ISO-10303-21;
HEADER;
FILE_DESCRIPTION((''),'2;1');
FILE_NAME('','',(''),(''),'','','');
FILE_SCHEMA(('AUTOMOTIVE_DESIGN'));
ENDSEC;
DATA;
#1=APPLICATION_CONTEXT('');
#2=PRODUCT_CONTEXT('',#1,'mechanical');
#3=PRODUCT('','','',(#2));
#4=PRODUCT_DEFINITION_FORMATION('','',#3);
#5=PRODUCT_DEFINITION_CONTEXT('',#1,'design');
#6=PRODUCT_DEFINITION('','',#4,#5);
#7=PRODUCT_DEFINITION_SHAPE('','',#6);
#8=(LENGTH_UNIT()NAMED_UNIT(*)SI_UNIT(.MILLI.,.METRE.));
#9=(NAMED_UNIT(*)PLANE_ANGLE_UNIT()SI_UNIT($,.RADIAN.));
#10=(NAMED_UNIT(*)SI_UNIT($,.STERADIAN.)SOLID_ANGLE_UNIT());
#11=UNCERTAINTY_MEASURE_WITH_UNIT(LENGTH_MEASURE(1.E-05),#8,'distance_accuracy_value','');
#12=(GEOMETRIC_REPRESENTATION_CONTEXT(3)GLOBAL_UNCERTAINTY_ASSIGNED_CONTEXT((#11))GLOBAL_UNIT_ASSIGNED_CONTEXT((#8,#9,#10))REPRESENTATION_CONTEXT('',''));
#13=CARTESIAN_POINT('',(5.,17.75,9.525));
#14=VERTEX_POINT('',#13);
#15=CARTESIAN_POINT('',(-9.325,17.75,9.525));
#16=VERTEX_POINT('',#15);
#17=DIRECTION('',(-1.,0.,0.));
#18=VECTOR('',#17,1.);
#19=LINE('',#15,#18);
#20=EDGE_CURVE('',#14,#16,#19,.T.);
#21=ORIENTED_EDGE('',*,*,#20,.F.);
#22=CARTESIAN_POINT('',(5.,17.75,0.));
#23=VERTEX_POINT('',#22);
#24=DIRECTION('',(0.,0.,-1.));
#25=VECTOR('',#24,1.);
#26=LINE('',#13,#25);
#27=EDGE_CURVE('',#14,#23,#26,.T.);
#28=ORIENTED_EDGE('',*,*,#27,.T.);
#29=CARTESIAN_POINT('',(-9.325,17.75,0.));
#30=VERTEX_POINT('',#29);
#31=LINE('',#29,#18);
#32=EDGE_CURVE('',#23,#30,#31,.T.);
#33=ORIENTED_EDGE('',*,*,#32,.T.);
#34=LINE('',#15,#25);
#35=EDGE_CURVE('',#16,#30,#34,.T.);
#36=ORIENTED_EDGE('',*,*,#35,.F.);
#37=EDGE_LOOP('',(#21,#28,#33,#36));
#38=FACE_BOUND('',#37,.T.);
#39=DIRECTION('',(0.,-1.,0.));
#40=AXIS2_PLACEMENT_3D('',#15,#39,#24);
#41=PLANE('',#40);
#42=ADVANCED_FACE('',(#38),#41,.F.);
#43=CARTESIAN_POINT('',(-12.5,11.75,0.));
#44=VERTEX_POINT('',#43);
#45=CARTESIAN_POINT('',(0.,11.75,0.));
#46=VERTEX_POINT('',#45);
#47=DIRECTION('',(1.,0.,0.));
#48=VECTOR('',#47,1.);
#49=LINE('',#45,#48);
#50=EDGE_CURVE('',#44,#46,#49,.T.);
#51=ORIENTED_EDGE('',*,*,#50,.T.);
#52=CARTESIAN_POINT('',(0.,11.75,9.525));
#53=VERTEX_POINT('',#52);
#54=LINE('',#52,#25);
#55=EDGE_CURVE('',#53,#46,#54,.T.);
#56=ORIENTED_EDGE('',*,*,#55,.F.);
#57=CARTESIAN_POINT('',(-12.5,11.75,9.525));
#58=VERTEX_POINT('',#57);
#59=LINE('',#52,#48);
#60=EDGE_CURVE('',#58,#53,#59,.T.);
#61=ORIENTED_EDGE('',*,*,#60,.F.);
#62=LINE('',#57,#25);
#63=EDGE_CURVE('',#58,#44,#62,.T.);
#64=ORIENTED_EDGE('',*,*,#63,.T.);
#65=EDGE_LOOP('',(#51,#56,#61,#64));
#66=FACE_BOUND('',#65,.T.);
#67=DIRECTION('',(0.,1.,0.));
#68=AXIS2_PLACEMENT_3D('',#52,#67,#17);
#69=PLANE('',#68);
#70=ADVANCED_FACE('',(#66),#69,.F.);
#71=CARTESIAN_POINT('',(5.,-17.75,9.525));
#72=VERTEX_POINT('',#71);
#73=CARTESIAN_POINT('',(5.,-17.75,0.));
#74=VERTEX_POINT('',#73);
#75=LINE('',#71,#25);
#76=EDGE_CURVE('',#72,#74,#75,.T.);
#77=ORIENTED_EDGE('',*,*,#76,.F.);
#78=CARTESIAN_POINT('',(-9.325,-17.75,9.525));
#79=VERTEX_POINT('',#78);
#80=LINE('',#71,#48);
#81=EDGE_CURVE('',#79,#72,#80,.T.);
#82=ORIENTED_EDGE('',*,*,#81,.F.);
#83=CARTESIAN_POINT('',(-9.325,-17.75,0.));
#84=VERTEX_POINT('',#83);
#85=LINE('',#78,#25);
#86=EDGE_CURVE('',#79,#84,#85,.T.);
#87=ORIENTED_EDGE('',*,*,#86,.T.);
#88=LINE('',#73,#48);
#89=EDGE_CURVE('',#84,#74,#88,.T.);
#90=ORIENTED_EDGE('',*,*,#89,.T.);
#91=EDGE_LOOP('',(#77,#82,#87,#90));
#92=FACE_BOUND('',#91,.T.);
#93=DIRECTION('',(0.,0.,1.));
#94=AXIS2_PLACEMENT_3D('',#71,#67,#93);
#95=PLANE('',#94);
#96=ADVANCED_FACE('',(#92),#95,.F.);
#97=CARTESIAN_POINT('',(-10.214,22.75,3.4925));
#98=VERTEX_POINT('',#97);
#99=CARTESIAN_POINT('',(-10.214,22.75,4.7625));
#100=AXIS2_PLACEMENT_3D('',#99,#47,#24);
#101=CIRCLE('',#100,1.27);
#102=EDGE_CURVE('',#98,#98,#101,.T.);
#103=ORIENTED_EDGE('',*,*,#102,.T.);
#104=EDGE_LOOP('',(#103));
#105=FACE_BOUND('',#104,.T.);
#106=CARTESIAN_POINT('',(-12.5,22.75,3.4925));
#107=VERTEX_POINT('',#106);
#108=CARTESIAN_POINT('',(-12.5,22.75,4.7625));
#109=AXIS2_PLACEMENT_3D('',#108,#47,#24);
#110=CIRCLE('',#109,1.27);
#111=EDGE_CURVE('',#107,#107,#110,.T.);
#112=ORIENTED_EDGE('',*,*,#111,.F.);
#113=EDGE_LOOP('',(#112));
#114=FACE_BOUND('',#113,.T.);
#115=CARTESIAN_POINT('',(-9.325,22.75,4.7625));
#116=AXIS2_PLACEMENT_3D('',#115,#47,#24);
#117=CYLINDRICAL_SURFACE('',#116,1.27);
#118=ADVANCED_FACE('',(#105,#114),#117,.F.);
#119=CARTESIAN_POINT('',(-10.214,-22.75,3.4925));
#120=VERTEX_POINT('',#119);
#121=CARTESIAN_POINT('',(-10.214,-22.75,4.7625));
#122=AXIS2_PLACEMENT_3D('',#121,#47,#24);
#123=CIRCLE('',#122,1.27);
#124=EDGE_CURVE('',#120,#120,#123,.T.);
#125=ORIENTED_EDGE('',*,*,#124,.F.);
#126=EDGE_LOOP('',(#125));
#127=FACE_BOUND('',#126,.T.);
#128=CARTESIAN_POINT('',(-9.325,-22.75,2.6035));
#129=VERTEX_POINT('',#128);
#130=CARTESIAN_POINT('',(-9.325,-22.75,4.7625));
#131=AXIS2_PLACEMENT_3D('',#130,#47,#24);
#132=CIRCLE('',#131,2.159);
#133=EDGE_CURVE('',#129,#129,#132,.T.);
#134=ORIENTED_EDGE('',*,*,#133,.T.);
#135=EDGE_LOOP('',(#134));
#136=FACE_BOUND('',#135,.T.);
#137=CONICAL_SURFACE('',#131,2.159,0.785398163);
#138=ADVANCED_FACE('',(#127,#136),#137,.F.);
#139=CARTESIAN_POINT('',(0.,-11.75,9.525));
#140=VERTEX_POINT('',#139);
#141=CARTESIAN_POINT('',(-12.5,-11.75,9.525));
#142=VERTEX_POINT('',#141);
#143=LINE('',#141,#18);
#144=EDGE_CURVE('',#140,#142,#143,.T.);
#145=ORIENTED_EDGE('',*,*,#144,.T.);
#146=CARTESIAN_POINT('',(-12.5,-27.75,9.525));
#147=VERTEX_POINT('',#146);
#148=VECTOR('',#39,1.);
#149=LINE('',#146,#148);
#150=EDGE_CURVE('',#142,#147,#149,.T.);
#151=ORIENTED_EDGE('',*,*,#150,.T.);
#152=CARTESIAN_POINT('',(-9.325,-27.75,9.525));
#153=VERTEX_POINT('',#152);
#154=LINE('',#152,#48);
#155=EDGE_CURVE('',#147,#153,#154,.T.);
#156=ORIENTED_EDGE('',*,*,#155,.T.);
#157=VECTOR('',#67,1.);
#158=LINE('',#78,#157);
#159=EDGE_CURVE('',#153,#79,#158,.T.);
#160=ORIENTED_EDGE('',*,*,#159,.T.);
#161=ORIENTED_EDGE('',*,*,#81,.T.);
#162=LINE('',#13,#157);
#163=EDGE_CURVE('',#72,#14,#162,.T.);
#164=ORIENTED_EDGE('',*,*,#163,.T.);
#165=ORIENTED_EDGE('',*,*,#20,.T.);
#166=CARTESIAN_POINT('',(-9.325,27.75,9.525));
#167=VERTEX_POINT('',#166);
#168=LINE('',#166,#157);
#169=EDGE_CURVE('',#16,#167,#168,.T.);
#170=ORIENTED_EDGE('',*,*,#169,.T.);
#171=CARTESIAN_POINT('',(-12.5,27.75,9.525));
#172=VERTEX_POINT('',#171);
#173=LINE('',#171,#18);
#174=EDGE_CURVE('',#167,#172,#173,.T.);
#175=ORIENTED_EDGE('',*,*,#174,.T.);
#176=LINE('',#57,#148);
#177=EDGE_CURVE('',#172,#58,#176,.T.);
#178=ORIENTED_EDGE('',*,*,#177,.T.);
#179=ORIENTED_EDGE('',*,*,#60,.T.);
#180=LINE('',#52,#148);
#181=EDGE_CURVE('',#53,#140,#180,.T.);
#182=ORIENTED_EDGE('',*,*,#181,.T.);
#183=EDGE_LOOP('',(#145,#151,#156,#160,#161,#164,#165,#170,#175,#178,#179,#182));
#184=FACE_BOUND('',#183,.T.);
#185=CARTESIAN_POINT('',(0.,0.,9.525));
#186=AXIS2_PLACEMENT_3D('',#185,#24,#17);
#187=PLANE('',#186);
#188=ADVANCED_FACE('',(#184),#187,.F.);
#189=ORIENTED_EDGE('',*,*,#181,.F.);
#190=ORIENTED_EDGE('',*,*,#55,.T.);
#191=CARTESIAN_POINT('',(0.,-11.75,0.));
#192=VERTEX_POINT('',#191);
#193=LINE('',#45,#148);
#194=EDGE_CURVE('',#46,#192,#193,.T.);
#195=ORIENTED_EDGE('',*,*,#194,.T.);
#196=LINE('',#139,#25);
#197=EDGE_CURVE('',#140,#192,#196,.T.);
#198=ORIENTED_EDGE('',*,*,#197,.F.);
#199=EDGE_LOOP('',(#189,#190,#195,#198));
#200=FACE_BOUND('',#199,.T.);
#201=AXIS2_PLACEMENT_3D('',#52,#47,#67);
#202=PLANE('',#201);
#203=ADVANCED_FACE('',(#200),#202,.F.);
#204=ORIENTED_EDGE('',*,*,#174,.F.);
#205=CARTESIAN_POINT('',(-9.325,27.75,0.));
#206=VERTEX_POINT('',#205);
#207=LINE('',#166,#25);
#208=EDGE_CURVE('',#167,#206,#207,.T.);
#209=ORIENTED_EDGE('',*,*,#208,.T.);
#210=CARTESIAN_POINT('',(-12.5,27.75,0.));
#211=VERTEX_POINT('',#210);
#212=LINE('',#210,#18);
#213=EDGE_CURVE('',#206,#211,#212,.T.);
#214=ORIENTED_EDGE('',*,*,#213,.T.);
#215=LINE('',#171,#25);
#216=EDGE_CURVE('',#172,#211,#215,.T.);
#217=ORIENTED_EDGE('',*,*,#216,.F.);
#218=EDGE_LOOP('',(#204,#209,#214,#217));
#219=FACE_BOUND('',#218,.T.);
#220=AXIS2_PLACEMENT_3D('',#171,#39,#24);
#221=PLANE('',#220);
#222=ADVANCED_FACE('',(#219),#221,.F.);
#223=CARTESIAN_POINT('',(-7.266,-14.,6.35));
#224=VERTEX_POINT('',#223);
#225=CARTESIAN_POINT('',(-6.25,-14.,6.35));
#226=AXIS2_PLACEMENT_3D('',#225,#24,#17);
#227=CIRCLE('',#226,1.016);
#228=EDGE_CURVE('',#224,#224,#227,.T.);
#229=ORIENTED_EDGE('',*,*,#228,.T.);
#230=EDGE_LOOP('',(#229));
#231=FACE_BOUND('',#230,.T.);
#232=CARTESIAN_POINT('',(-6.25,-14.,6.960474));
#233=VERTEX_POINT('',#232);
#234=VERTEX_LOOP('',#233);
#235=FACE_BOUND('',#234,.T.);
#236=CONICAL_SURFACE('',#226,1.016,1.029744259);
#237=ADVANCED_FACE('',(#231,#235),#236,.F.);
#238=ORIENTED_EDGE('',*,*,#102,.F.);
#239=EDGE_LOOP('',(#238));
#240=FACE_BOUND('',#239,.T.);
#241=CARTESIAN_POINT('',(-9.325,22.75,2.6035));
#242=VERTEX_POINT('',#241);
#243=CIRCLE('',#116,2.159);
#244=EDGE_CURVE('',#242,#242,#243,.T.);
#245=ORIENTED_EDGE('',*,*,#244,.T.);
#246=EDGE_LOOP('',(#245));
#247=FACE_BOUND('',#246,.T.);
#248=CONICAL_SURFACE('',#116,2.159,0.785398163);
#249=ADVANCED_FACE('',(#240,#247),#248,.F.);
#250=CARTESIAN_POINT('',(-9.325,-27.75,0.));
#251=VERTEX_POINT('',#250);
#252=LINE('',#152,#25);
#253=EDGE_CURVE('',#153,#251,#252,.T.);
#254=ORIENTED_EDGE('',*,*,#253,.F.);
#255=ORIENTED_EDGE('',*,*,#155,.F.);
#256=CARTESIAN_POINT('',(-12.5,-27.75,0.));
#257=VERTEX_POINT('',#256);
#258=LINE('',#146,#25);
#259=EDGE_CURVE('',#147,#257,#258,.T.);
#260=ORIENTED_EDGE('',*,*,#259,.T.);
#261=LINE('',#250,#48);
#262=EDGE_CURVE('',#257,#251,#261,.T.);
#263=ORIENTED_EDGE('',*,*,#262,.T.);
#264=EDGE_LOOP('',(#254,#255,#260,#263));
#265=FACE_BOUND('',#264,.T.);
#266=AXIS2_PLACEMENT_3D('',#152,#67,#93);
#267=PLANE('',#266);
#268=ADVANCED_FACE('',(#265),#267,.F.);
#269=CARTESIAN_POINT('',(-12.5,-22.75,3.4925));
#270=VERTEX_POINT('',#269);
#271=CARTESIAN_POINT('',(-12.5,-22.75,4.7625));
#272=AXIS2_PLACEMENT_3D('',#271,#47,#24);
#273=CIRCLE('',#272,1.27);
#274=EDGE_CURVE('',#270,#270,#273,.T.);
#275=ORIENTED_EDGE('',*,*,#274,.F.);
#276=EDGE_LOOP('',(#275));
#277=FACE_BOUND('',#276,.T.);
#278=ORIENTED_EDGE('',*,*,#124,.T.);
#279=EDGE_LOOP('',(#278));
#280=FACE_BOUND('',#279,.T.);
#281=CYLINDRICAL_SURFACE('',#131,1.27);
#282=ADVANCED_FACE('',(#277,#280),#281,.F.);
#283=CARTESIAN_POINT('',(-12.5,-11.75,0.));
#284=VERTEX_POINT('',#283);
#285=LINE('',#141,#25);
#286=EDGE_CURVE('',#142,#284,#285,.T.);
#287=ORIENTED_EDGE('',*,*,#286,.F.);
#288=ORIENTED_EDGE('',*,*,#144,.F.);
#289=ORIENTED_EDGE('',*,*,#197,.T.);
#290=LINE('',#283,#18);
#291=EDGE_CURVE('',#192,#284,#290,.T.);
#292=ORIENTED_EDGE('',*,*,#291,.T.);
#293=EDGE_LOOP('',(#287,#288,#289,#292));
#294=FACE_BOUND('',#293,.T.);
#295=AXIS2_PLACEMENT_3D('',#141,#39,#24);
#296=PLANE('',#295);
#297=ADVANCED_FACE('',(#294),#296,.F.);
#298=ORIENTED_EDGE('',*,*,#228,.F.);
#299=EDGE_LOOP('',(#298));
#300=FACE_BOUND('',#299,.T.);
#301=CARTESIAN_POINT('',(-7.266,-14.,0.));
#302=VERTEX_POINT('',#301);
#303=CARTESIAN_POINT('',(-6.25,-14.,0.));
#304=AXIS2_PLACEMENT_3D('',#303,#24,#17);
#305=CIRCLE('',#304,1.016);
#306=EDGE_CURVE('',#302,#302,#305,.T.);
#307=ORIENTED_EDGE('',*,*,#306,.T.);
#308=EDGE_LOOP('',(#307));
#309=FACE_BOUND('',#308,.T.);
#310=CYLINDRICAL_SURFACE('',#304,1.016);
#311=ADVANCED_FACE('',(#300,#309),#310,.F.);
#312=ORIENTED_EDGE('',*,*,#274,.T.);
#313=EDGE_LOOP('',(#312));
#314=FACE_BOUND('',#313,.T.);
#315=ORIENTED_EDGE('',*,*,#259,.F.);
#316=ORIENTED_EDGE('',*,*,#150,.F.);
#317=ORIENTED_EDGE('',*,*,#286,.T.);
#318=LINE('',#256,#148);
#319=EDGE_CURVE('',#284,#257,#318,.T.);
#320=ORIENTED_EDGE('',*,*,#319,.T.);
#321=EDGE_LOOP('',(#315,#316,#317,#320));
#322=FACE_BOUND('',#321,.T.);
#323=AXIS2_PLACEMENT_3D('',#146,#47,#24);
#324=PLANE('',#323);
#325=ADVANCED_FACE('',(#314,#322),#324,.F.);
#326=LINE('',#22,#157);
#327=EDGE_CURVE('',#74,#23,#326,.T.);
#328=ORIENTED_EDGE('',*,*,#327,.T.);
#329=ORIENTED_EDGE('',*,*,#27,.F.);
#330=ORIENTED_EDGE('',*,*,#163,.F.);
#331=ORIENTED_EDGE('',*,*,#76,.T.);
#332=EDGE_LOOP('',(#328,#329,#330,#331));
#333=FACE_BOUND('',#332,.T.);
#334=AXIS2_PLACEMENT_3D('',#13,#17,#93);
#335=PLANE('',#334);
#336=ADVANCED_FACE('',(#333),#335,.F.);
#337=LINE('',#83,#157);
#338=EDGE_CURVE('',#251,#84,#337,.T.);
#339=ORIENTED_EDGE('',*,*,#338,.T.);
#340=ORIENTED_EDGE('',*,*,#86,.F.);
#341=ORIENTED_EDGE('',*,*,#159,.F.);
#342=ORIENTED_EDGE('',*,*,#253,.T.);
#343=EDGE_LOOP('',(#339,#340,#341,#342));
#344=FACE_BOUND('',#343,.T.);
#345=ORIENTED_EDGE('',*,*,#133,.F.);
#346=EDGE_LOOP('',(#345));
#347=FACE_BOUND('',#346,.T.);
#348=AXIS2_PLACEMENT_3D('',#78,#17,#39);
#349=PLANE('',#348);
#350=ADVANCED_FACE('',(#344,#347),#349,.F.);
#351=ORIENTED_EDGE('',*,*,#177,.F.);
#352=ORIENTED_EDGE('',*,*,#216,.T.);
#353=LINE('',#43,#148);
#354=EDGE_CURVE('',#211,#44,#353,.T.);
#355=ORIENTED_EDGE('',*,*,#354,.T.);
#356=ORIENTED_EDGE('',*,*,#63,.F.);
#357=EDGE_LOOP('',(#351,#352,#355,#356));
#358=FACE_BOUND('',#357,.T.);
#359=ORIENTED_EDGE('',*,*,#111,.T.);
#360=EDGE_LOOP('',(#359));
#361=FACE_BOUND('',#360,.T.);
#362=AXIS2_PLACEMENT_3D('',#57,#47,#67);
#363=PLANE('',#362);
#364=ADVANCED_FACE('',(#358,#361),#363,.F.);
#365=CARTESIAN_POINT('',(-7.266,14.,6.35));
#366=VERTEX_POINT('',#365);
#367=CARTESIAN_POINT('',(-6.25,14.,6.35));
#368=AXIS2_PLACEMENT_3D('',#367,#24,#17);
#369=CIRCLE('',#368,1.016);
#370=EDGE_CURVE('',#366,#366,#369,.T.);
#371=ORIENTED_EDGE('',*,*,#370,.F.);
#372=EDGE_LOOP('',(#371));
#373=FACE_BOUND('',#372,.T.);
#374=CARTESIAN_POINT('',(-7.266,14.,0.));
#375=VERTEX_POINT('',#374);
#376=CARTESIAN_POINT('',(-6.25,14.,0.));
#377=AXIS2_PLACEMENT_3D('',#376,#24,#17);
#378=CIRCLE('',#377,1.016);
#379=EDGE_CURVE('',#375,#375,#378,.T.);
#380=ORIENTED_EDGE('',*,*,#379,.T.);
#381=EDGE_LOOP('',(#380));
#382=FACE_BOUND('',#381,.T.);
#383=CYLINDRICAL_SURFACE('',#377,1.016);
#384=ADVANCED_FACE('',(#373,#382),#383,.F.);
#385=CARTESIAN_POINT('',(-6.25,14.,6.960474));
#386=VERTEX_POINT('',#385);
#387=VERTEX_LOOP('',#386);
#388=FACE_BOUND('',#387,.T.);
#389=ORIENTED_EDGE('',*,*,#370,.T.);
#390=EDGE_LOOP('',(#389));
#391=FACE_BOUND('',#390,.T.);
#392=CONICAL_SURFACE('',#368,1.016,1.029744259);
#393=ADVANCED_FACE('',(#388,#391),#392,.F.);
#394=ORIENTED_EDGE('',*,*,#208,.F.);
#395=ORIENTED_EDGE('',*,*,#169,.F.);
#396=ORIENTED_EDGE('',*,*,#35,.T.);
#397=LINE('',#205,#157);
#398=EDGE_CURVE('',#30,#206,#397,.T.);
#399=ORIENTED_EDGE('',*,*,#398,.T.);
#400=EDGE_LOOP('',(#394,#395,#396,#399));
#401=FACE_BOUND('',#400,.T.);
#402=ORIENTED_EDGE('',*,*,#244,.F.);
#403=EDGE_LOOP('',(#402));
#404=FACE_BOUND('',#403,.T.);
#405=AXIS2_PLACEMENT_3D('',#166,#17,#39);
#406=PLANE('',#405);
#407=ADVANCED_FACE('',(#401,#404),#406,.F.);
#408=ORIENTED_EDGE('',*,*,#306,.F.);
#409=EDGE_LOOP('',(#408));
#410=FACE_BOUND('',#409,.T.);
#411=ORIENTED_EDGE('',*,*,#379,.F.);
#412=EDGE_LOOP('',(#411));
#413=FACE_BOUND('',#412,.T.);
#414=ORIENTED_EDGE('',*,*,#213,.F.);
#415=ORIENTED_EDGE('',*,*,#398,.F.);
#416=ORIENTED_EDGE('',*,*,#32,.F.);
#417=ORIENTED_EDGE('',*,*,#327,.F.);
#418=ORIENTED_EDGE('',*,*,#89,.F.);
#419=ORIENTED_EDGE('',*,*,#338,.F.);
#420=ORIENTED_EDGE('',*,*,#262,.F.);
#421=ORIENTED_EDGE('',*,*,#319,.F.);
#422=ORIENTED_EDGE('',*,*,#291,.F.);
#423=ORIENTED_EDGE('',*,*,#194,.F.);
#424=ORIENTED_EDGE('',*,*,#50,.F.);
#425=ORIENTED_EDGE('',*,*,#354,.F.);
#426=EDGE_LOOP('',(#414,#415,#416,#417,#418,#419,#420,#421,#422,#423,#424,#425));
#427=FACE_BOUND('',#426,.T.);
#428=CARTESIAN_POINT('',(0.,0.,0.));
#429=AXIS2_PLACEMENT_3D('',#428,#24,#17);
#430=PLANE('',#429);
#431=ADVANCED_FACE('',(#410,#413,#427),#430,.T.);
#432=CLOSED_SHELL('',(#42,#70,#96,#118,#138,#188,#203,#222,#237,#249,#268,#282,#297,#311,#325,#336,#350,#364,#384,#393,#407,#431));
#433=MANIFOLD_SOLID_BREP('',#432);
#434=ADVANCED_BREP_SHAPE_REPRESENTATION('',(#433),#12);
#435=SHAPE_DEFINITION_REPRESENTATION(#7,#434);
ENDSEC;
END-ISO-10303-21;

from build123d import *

# Parameters (mm, degrees)
BOSS_EXTRUDE1_DEPTH             = 9.525
F_2_CLEARANCE_HOLE1_D           = 2.032
F_2_CLEARANCE_HOLE1_DEPTH       = 6.35
F_2_CLEARANCE_HOLE1_TIP         = 0.610474389
F_3_CLEARANCE_HOLE2_D           = 2.54
F_3_CLEARANCE_HOLE2_CSINK_D     = 4.318
F_3_CLEARANCE_HOLE2_CSINK_ANGLE = 90


with BuildPart() as part:
    # Sketch1 → Boss-Extrude1 (new body)
    with BuildSketch(Plane.XY):
        Polygon((0, 11.75), (0, -11.75), (-12.5, -11.75), (-12.5, -27.75), (-9.325, -27.75), (-9.325, -17.75), (5, -17.75), (5, 17.75), (-9.325, 17.75), (-9.325, 27.75), (-12.5, 27.75), (-12.5, 11.75), align=None)
    extrude(amount=BOSS_EXTRUDE1_DEPTH)

    # #2 Clearance Hole1
    with Locations(Plane(origin=(0, 0, 0), x_dir=(-1, 0, 0), z_dir=(0, 0, -1))):
        with Locations((6.25, 14), (6.25, -14)):
            Hole(F_2_CLEARANCE_HOLE1_D / 2, depth=F_2_CLEARANCE_HOLE1_DEPTH)
            with Locations((0, 0, -(F_2_CLEARANCE_HOLE1_DEPTH + F_2_CLEARANCE_HOLE1_TIP / 2))):  # 118° drill point
                Cone(0, F_2_CLEARANCE_HOLE1_D / 2, F_2_CLEARANCE_HOLE1_TIP, mode=Mode.SUBTRACT)

    # #3 Clearance Hole2 (through all)
    with Locations(Plane(origin=(-9.325, 0, 0), x_dir=(0, 0, -1), z_dir=(1, 0, 0))):
        with Locations((-4.7625, 22.75), (-4.7625, -22.75)):
            CounterSinkHole(F_3_CLEARANCE_HOLE2_D / 2, F_3_CLEARANCE_HOLE2_CSINK_D / 2, counter_sink_angle=F_3_CLEARANCE_HOLE2_CSINK_ANGLE)


solid = part.part
